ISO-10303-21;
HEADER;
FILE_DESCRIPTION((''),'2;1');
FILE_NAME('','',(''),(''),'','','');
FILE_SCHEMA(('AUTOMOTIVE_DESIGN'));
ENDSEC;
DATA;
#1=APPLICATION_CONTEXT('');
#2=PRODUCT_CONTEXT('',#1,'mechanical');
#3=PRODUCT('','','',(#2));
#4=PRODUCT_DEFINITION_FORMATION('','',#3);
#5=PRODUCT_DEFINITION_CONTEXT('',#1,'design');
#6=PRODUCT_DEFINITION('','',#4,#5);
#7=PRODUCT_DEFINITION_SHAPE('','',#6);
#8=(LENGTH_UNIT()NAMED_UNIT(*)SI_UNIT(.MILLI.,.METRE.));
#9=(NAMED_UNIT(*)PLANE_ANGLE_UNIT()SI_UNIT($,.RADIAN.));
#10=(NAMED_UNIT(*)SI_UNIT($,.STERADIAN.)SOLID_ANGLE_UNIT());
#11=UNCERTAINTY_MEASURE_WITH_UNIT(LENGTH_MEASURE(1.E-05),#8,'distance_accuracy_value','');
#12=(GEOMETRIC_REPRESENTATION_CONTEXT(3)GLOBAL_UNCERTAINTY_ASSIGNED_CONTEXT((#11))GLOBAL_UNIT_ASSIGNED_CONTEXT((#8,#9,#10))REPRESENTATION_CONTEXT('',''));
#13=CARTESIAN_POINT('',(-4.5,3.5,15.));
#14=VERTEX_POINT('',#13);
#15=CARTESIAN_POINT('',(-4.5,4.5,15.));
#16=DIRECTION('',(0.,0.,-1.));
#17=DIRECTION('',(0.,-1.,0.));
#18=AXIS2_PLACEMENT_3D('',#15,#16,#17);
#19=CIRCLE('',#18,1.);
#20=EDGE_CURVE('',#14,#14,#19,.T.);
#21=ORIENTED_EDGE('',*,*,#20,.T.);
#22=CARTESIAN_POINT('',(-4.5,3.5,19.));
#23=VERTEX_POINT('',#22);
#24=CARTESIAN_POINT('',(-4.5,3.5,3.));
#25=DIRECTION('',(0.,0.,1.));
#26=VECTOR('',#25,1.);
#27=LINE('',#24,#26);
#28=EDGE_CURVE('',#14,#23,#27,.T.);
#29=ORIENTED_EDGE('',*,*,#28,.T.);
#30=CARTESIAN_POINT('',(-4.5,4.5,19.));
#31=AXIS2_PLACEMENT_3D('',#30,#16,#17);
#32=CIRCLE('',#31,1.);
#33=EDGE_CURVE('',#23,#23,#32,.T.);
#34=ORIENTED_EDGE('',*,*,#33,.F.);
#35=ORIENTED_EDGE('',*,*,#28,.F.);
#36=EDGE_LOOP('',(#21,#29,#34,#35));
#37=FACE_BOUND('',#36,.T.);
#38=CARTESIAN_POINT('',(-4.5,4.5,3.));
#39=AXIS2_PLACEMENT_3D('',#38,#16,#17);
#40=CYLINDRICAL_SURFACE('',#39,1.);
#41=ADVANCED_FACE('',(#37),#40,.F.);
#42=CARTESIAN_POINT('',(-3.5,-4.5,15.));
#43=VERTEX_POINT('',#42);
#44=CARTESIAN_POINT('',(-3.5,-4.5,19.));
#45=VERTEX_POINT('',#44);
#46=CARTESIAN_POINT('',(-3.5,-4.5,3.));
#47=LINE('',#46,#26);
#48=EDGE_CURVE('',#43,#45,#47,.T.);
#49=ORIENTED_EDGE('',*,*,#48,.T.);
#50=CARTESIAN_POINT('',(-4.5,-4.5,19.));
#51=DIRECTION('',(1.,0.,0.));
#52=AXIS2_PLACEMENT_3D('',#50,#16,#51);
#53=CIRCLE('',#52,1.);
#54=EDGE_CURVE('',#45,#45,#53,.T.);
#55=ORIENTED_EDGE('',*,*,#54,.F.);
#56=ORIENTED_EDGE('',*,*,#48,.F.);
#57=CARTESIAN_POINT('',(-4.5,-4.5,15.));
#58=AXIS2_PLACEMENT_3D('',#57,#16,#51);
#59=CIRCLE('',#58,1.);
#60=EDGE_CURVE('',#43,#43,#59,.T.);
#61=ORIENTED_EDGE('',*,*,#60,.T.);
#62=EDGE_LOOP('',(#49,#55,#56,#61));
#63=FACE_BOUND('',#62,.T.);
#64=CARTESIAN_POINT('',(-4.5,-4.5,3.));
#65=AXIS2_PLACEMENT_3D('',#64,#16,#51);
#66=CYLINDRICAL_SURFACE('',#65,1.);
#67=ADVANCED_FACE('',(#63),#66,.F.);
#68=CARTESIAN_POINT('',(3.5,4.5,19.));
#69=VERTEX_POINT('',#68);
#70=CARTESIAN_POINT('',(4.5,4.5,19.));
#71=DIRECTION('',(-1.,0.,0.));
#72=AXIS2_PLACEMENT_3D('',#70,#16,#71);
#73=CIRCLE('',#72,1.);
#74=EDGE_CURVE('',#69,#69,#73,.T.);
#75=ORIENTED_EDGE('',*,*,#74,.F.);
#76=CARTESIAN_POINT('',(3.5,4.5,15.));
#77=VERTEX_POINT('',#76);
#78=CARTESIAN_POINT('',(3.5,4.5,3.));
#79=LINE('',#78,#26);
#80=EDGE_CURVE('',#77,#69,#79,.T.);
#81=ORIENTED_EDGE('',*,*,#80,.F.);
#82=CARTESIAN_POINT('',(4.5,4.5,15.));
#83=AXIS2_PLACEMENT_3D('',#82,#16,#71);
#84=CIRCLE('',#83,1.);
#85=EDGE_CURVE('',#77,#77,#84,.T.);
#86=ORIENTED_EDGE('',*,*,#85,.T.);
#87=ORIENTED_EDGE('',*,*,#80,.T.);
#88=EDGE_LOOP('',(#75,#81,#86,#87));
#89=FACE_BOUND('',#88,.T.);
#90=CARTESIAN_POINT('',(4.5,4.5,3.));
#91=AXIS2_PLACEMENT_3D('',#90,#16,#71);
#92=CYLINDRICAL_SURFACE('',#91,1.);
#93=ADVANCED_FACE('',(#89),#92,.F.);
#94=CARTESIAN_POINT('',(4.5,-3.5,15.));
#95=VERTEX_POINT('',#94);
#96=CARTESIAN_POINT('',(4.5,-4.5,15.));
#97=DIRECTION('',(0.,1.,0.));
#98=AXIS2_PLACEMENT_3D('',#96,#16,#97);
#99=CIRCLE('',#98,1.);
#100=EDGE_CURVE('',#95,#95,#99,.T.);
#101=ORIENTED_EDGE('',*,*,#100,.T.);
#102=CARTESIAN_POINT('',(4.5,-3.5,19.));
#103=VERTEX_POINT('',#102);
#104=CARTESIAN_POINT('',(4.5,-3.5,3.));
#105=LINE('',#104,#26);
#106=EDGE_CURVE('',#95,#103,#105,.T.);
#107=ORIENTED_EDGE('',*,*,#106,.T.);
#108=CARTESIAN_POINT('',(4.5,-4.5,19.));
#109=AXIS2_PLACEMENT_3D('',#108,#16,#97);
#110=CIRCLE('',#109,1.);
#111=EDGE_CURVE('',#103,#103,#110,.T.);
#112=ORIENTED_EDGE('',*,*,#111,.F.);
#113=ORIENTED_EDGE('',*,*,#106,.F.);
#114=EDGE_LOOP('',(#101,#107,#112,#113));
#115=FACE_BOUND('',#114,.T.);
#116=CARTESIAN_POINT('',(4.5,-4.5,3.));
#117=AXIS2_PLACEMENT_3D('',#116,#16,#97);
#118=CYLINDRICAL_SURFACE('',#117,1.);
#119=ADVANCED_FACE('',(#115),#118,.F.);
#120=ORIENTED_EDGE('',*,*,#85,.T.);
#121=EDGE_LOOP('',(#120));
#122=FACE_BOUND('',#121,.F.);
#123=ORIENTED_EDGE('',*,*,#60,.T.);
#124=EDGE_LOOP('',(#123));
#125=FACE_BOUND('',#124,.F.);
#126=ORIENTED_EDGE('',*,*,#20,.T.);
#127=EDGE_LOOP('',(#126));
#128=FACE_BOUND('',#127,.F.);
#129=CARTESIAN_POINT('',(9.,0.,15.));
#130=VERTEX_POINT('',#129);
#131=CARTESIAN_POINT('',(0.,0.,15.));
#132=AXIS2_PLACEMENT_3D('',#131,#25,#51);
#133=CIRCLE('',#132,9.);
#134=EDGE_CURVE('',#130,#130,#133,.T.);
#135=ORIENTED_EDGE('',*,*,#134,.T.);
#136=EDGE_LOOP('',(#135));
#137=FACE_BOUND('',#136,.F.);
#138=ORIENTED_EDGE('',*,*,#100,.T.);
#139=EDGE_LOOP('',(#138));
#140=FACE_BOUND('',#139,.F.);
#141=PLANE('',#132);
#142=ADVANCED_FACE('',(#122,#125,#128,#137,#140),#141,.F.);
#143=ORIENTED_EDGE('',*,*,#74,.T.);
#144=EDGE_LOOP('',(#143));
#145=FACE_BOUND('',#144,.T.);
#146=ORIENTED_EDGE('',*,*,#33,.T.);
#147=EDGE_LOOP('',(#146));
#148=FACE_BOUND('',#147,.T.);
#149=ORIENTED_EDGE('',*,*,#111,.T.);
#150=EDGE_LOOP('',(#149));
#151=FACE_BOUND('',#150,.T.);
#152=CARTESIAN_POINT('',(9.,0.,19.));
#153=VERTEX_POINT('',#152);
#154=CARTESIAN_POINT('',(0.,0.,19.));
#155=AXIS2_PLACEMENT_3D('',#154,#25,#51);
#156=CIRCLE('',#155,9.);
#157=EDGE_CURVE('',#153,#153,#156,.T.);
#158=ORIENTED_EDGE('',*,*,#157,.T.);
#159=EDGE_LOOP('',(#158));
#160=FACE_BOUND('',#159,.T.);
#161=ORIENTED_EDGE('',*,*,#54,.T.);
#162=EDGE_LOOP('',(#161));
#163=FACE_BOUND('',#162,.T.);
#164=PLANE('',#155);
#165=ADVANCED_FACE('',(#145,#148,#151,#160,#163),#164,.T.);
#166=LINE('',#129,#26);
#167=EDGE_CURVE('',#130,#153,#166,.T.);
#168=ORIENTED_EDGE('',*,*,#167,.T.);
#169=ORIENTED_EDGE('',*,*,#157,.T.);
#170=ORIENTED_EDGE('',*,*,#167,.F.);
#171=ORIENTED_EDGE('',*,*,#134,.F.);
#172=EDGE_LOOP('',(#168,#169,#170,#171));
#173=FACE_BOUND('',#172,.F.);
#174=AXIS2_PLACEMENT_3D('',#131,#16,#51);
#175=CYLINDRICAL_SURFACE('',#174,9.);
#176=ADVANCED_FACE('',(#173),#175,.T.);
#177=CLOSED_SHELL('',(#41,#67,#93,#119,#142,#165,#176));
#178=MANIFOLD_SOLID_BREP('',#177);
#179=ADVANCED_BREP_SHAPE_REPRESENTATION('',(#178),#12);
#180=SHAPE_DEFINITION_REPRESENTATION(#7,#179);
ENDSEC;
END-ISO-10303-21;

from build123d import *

# Parameters (mm, degrees)
CYLINDER970_R     = 1
CYLINDER970_DEPTH = 20
CYLINDER971_R     = 1
CYLINDER971_DEPTH = 20
CYLINDER965_R     = 1
CYLINDER965_DEPTH = 20
CYLINDER972_R     = 1
CYLINDER972_DEPTH = 20
CYLINDER978_R     = 9
CYLINDER978_DEPTH = 4


with BuildPart() as v_lec970:
    # Cylinder970 → Cylinder970 (new body)
    with BuildSketch(Plane(origin=(4.5, -4.5, -88), x_dir=(0, 1, 0), z_dir=(0, 0, 1))):
        Circle(CYLINDER970_R)
    extrude(amount=CYLINDER970_DEPTH)


with BuildPart() as v_lec971:
    # Cylinder971 → Cylinder971 (new body)
    with BuildSketch(Plane(origin=(4.5, 4.5, -88), x_dir=(-1, 0, 0), z_dir=(0, 0, 1))):
        Circle(CYLINDER971_R)
    extrude(amount=CYLINDER971_DEPTH)


with BuildPart() as v_lec965:
    # Cylinder965 → Cylinder965 (new body)
    with BuildSketch(Plane(origin=(-4.5, 4.5, -88), x_dir=(0, -1, 0), z_dir=(0, 0, 1))):
        Circle(CYLINDER965_R)
    extrude(amount=CYLINDER965_DEPTH)


with BuildPart() as compound808:
    # Cylinder972 → Cylinder972 (new body)
    with BuildSketch(Plane(origin=(-4.5, -4.5, -88), x_dir=(1, 0, 0), z_dir=(0, 0, 1))):
        Circle(CYLINDER972_R)
    extrude(amount=CYLINDER972_DEPTH)

    # Compound808: union Válec970, Válec971, Válec965
    add(v_lec970.part)
    add(v_lec971.part)
    add(v_lec965.part)


with BuildPart() as compound808_1:
    # Compound808 placement: moved
    add(compound808.part.moved(Location((0, 0, 91))))


with BuildPart() as cut412:
    # Cylinder978 → Cylinder978 (new body)
    with BuildSketch(Plane.XY.offset(15)):
        Circle(CYLINDER978_R)
    extrude(amount=CYLINDER978_DEPTH)

    # Cut412: cut Compound808
    add(compound808_1.part, mode=Mode.SUBTRACT)


solid = cut412.part
